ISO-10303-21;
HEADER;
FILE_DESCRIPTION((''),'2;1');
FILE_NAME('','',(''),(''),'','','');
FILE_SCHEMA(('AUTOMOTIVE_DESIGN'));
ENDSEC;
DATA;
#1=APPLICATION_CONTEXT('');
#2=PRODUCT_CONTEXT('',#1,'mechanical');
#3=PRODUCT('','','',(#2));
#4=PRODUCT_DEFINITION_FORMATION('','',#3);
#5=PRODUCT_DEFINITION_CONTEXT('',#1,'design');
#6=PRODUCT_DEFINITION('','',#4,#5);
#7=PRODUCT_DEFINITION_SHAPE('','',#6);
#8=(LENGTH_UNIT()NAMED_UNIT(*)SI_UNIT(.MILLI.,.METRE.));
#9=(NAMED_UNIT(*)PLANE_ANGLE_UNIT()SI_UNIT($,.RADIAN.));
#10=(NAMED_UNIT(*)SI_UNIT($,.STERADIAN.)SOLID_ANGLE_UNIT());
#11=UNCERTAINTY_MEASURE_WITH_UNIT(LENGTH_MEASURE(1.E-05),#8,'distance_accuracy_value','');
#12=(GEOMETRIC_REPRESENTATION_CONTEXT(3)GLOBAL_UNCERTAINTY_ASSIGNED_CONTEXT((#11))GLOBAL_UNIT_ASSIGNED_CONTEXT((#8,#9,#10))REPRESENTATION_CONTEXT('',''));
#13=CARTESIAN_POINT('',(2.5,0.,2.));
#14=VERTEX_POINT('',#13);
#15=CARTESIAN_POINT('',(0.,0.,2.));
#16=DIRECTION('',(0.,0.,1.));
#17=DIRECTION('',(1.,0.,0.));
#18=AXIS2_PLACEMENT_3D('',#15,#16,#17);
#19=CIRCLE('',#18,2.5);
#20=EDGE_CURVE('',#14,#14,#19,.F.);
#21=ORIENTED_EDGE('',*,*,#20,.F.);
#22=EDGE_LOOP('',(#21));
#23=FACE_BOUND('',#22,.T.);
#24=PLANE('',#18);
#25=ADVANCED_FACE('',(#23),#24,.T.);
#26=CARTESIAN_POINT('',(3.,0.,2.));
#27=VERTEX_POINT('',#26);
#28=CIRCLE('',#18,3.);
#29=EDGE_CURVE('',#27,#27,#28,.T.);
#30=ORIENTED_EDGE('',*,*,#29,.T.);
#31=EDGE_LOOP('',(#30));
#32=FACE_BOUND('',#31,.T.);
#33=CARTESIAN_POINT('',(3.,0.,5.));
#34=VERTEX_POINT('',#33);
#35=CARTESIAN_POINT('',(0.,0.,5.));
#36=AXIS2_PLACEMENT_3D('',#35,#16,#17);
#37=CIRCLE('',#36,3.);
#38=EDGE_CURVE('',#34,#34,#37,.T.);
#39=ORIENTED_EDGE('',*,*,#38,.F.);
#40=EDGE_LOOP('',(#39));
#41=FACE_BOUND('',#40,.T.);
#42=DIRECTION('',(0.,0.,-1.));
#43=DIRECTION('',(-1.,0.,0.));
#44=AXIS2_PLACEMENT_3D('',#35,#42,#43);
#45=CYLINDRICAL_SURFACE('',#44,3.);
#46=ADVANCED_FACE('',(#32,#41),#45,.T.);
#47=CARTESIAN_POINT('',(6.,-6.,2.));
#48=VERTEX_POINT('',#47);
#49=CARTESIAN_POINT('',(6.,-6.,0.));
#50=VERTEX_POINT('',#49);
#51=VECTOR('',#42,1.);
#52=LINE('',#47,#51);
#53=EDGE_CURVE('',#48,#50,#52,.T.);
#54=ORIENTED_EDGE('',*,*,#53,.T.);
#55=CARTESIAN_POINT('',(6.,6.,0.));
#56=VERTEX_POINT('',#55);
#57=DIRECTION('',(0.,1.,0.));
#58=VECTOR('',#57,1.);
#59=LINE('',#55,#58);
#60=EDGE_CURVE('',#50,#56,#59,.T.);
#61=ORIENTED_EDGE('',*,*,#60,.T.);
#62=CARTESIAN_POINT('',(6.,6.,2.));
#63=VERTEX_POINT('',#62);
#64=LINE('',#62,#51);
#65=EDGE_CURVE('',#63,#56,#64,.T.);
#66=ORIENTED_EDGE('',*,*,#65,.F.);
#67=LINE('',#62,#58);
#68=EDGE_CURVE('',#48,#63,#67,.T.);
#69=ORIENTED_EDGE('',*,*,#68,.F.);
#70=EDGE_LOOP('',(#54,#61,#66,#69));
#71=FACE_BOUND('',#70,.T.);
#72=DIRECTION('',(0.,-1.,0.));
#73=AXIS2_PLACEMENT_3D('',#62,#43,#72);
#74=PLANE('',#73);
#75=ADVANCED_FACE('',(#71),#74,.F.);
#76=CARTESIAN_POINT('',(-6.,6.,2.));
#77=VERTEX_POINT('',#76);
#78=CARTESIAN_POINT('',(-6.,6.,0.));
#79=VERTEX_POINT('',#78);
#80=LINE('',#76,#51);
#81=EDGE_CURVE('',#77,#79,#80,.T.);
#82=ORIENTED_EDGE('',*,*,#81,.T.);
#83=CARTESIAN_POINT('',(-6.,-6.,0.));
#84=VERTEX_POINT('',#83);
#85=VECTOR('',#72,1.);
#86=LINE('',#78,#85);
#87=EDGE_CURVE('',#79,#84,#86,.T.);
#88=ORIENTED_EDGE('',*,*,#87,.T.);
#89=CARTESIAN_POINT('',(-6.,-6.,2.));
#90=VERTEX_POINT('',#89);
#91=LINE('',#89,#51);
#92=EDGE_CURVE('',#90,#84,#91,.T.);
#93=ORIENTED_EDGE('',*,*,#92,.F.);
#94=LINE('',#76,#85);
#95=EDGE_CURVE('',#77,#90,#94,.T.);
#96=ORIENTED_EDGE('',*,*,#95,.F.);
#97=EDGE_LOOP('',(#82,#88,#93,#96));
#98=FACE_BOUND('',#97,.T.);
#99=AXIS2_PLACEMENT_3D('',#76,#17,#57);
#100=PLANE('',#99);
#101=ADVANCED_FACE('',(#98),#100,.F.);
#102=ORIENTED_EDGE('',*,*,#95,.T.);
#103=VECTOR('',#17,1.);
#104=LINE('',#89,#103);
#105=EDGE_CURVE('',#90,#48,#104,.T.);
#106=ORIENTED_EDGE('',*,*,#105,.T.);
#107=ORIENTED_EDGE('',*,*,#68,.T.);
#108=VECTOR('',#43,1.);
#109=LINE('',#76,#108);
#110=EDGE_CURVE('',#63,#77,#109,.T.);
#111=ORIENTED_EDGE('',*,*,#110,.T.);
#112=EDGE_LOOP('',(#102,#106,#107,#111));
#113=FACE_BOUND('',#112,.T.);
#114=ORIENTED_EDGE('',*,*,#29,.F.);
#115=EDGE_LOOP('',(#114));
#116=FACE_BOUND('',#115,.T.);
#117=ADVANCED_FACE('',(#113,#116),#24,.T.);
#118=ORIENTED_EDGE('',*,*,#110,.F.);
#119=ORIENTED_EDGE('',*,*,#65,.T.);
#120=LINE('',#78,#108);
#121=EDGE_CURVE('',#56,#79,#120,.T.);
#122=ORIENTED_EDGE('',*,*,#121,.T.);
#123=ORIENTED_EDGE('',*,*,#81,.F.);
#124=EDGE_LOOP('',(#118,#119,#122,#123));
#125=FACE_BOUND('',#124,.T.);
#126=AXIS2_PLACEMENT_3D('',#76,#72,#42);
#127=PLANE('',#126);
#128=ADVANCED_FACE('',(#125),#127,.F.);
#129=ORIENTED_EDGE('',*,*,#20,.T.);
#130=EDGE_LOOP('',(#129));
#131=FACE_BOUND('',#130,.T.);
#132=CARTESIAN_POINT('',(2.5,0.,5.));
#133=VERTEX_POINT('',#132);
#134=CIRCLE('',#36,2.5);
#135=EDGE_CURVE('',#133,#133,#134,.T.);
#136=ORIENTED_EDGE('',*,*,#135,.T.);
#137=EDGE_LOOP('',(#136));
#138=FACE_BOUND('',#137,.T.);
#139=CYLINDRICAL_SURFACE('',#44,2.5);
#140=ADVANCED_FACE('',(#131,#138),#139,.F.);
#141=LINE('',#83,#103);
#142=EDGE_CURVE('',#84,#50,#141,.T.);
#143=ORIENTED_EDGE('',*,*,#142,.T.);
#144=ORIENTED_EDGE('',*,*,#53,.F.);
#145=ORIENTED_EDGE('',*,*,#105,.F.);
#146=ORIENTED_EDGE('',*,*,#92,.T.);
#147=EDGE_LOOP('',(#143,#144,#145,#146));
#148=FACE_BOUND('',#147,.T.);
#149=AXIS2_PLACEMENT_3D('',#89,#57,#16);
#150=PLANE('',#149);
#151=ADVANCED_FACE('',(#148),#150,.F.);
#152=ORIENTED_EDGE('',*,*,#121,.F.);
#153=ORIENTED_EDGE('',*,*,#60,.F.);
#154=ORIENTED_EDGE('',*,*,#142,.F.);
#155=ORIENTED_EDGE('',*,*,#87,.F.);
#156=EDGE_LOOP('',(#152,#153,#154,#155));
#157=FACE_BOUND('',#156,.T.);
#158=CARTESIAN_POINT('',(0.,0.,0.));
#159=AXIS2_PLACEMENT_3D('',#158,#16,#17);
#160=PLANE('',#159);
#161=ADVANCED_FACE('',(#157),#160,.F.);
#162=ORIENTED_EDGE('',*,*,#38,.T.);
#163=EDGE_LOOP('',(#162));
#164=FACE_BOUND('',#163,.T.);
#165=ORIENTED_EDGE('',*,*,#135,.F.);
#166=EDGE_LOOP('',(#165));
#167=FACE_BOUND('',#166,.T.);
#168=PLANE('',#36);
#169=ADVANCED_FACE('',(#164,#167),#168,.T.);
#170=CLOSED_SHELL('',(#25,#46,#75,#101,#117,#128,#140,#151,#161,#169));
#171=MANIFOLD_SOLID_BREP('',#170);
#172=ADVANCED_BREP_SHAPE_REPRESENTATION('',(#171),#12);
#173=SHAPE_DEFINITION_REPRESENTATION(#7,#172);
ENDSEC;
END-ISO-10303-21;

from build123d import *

# Parameters (mm, degrees)
SKETCH1_W           = 12
SKETCH1_H           = 12
BOSS_EXTRUDE1_DEPTH = 2
SKETCH2_R           = 3
SKETCH2_R_2         = 2.5
BOSS_EXTRUDE2_DEPTH = 3


with BuildPart() as part:
    # Sketch1 → Boss-Extrude1 (new body)
    with BuildSketch(Plane.XY):
        Rectangle(SKETCH1_W, SKETCH1_H)
    extrude(amount=BOSS_EXTRUDE1_DEPTH)

    # Sketch2 → Boss-Extrude2 (add)
    with BuildSketch(Plane.XY.offset(2)):
        Circle(SKETCH2_R)
        Circle(SKETCH2_R_2, mode=Mode.SUBTRACT)
    extrude(amount=BOSS_EXTRUDE2_DEPTH)


solid = part.part
